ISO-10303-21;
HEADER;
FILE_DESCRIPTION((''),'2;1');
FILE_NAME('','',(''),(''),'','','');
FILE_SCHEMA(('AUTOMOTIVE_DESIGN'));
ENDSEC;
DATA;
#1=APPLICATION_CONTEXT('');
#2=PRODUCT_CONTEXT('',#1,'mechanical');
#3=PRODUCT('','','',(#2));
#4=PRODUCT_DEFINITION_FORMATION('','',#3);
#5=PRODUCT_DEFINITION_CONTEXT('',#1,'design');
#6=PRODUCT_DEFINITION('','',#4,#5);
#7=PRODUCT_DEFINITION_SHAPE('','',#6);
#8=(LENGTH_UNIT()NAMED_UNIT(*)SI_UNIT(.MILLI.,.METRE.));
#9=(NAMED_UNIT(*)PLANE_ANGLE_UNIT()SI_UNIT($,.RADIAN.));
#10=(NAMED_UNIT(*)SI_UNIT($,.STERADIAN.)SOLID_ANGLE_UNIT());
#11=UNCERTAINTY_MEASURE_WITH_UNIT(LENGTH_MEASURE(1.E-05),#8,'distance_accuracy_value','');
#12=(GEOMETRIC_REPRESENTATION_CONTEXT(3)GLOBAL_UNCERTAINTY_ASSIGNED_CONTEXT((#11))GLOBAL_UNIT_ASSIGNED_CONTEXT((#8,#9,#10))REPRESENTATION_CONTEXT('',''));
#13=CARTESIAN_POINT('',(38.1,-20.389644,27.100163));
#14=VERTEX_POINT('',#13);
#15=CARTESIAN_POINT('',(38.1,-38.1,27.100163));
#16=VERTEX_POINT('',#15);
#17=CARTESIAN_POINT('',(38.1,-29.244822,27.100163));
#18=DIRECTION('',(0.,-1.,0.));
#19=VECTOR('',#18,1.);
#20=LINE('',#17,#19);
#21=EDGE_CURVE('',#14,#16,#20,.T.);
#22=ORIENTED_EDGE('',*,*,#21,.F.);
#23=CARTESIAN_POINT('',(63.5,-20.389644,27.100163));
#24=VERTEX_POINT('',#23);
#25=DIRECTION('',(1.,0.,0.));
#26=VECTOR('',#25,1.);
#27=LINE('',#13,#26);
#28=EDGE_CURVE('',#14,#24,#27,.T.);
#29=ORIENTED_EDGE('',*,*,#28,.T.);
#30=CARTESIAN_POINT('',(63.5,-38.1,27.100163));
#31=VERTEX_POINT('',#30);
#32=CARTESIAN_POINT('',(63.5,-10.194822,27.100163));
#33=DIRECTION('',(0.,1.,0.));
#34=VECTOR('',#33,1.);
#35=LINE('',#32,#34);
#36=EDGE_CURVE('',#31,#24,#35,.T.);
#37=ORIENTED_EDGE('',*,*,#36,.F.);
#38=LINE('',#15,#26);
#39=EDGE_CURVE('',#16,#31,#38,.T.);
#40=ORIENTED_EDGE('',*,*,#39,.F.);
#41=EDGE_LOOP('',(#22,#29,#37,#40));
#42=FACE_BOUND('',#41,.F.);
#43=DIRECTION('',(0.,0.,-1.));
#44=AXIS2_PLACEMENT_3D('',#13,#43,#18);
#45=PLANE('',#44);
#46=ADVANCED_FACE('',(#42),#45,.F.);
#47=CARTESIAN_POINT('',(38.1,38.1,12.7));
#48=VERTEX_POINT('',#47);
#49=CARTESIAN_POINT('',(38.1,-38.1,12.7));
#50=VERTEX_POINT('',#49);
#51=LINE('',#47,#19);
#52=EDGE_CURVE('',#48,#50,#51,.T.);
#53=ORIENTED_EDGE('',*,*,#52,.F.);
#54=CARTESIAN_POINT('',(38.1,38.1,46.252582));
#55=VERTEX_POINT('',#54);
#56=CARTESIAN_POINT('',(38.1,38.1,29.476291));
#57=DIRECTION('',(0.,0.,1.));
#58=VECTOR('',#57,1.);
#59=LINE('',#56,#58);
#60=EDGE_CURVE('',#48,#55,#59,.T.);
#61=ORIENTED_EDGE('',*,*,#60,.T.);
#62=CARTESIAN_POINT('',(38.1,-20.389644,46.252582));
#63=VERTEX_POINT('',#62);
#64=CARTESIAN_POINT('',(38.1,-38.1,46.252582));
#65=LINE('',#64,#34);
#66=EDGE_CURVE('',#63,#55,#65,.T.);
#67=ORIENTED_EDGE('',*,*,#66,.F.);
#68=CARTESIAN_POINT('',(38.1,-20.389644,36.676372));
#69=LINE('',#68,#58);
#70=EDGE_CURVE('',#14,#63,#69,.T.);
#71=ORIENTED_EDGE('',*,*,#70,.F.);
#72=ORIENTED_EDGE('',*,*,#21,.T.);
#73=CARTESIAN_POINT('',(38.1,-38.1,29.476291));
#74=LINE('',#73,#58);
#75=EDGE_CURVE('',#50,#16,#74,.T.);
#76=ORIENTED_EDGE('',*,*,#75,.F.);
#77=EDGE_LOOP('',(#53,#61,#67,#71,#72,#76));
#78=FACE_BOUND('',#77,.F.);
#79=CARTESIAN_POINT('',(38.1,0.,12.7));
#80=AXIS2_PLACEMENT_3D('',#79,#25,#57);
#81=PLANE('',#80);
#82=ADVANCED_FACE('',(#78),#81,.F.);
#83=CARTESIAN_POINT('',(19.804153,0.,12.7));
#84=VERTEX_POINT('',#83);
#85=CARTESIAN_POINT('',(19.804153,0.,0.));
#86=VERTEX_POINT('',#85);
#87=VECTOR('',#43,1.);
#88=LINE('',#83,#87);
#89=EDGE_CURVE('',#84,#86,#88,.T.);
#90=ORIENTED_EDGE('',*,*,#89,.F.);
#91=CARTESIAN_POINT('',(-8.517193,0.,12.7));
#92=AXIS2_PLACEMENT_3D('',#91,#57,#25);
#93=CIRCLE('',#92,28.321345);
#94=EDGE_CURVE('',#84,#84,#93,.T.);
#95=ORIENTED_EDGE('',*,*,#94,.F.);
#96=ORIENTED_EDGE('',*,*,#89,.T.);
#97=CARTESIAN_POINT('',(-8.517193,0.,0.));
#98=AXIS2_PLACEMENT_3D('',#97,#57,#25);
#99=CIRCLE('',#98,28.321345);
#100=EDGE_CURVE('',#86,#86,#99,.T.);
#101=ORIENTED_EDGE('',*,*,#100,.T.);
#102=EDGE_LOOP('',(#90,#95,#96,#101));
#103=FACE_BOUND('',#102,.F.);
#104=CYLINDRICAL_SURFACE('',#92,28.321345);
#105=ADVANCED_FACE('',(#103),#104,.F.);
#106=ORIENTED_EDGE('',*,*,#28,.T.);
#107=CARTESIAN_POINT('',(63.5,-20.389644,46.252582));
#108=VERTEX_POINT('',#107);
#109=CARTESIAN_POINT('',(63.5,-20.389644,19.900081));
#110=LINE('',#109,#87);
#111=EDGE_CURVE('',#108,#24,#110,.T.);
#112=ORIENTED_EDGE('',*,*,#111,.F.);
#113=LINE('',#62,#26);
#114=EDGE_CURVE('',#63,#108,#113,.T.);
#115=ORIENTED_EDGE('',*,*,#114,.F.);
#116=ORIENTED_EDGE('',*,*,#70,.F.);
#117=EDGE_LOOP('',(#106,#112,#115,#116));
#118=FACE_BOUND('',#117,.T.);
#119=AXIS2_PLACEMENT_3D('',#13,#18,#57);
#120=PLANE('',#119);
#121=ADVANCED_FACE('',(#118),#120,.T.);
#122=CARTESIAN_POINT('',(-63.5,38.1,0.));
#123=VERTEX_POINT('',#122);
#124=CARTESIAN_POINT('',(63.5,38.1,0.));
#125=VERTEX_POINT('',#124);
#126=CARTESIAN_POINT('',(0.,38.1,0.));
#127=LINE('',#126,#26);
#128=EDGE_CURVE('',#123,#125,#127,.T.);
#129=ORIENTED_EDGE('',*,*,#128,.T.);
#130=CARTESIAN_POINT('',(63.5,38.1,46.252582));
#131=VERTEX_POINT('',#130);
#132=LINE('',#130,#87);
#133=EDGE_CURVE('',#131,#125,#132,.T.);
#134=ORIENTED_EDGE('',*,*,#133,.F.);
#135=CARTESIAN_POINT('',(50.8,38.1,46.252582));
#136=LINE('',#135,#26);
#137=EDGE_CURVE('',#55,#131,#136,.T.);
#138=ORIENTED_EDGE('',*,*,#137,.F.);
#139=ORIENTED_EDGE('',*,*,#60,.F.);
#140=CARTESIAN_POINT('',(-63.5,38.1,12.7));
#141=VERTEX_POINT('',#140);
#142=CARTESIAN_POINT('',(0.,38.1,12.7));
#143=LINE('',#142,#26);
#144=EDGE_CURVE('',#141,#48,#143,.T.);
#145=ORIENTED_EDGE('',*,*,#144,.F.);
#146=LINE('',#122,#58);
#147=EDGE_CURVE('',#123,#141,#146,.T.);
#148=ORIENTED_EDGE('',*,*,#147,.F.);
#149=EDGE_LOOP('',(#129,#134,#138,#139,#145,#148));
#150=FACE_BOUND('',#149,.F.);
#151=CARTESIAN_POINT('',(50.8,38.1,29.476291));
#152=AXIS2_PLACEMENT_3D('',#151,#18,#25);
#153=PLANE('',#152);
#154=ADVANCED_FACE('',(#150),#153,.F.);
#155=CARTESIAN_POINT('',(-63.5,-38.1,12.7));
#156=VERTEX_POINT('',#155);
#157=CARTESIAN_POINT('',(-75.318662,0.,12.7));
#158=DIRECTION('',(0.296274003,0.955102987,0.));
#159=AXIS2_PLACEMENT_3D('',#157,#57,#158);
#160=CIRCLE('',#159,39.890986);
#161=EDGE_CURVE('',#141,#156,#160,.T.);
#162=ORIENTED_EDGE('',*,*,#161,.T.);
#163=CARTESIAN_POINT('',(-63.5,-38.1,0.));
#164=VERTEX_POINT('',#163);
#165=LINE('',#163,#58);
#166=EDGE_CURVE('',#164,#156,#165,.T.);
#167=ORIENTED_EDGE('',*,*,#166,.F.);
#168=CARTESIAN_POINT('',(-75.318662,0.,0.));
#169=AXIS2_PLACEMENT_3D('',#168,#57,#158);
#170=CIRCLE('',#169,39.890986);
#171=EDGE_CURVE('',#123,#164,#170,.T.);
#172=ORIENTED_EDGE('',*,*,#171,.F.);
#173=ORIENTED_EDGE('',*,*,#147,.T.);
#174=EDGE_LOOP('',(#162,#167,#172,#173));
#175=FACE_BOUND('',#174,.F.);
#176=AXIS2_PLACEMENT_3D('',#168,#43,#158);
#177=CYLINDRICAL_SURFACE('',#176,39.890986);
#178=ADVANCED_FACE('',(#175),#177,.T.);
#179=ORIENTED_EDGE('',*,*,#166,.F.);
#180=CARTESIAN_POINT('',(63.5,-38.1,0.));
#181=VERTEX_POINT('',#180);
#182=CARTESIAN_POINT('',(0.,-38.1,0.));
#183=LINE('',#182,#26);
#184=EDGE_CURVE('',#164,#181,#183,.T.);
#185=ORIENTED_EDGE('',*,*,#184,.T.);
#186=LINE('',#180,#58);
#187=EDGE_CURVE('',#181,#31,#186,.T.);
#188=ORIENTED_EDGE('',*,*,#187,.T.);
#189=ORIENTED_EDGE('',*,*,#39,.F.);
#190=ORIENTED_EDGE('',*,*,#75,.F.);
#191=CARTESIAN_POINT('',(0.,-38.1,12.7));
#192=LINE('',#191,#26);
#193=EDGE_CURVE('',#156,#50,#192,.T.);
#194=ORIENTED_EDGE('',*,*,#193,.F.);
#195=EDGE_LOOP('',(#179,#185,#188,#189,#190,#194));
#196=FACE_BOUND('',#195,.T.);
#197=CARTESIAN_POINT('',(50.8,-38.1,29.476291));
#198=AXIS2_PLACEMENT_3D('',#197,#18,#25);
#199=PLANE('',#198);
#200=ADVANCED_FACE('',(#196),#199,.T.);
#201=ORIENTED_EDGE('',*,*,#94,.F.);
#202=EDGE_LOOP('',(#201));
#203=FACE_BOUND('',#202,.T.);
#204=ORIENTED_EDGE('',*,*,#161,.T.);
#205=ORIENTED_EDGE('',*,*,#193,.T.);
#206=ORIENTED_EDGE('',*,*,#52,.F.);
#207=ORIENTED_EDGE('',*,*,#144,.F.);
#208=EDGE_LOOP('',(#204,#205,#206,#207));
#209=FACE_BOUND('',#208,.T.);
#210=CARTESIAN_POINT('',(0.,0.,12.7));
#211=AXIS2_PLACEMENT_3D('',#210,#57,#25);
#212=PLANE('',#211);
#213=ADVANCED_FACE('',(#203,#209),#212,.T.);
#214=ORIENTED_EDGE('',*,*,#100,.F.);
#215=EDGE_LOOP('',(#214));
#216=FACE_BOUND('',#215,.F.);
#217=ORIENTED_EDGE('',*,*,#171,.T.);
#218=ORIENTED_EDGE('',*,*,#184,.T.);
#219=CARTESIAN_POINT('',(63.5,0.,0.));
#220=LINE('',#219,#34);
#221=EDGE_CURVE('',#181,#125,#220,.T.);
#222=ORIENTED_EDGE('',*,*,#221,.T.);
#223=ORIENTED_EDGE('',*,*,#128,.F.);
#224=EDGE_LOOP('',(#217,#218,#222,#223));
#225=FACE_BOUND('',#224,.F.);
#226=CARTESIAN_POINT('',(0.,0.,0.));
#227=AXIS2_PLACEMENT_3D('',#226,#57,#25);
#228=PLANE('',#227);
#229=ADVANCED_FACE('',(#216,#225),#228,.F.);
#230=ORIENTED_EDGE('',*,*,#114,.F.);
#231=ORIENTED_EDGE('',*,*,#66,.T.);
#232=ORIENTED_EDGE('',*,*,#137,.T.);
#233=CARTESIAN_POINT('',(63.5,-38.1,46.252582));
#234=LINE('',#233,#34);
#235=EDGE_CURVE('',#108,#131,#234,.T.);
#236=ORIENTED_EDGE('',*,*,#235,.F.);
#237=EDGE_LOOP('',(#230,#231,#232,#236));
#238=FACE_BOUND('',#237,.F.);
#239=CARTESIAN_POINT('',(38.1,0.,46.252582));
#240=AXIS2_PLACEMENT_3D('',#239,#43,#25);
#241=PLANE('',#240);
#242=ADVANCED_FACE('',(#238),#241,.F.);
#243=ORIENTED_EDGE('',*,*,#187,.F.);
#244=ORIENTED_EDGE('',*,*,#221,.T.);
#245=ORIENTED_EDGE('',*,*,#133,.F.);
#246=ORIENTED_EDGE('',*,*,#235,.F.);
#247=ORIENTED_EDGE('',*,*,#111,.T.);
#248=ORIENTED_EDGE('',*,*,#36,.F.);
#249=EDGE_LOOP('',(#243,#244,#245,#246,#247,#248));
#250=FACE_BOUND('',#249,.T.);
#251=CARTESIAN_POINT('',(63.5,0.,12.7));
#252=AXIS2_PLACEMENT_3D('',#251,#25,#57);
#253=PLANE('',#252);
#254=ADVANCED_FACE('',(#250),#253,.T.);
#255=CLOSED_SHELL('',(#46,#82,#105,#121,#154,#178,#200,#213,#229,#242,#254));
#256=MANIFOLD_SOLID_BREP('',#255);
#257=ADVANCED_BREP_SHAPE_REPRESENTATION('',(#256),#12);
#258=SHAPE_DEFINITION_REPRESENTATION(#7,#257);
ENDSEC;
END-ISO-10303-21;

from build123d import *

# Parameters (mm, degrees)
F0_W     = 127
F0_H     = 76.2
F1_DEPTH = 12.7
F2_W     = 25.4
F2_H     = 33.5525823757
F3_DEPTH = 38.1
F4_W     = 17.7103555709
F4_H     = 19.1524197951
F5_DEPTH = 25.401
F6_R     = 28.3213454148
F7_DEPTH = 12.701


with BuildPart() as f1:
    # F0 (on Top) → F1 (new body)
    with BuildSketch(Plane.XY):
        Rectangle(F0_W, F0_H)
        with BuildLine():
            Line((-63.5, -38.1), (-63.5, 38.1))
            ThreePointArc((-63.5, 38.1), (-115.2096482651, 0), (-63.5, -38.1))
        make_face()
    extrude(amount=F1_DEPTH)

    # F2 (on Front) → F3 (join, symmetric)
    with BuildSketch(Plane.XZ):
        with Locations((50.8, 29.4762911879)):
            Rectangle(F2_W, F2_H)
    extrude(amount=F3_DEPTH, both=True)

    # F4 (on face) → F5 (cut, through all)
    with BuildSketch(Plane(origin=(38.1, 0, 0), x_dir=(0, -1, 0), z_dir=(-1, 0, 0))):
        with Locations((29.2448222145, 36.6763724782)):
            Rectangle(F4_W, F4_H)
    extrude(amount=-F5_DEPTH, mode=Mode.SUBTRACT)

    # F6 (on face) → F7 (cut, through all)
    with BuildSketch(Plane.XY.offset(12.7)):
        with Locations((-8.5171926767, 0)):
            Circle(F6_R)
    extrude(amount=-F7_DEPTH, mode=Mode.SUBTRACT)


solid = f1.part
